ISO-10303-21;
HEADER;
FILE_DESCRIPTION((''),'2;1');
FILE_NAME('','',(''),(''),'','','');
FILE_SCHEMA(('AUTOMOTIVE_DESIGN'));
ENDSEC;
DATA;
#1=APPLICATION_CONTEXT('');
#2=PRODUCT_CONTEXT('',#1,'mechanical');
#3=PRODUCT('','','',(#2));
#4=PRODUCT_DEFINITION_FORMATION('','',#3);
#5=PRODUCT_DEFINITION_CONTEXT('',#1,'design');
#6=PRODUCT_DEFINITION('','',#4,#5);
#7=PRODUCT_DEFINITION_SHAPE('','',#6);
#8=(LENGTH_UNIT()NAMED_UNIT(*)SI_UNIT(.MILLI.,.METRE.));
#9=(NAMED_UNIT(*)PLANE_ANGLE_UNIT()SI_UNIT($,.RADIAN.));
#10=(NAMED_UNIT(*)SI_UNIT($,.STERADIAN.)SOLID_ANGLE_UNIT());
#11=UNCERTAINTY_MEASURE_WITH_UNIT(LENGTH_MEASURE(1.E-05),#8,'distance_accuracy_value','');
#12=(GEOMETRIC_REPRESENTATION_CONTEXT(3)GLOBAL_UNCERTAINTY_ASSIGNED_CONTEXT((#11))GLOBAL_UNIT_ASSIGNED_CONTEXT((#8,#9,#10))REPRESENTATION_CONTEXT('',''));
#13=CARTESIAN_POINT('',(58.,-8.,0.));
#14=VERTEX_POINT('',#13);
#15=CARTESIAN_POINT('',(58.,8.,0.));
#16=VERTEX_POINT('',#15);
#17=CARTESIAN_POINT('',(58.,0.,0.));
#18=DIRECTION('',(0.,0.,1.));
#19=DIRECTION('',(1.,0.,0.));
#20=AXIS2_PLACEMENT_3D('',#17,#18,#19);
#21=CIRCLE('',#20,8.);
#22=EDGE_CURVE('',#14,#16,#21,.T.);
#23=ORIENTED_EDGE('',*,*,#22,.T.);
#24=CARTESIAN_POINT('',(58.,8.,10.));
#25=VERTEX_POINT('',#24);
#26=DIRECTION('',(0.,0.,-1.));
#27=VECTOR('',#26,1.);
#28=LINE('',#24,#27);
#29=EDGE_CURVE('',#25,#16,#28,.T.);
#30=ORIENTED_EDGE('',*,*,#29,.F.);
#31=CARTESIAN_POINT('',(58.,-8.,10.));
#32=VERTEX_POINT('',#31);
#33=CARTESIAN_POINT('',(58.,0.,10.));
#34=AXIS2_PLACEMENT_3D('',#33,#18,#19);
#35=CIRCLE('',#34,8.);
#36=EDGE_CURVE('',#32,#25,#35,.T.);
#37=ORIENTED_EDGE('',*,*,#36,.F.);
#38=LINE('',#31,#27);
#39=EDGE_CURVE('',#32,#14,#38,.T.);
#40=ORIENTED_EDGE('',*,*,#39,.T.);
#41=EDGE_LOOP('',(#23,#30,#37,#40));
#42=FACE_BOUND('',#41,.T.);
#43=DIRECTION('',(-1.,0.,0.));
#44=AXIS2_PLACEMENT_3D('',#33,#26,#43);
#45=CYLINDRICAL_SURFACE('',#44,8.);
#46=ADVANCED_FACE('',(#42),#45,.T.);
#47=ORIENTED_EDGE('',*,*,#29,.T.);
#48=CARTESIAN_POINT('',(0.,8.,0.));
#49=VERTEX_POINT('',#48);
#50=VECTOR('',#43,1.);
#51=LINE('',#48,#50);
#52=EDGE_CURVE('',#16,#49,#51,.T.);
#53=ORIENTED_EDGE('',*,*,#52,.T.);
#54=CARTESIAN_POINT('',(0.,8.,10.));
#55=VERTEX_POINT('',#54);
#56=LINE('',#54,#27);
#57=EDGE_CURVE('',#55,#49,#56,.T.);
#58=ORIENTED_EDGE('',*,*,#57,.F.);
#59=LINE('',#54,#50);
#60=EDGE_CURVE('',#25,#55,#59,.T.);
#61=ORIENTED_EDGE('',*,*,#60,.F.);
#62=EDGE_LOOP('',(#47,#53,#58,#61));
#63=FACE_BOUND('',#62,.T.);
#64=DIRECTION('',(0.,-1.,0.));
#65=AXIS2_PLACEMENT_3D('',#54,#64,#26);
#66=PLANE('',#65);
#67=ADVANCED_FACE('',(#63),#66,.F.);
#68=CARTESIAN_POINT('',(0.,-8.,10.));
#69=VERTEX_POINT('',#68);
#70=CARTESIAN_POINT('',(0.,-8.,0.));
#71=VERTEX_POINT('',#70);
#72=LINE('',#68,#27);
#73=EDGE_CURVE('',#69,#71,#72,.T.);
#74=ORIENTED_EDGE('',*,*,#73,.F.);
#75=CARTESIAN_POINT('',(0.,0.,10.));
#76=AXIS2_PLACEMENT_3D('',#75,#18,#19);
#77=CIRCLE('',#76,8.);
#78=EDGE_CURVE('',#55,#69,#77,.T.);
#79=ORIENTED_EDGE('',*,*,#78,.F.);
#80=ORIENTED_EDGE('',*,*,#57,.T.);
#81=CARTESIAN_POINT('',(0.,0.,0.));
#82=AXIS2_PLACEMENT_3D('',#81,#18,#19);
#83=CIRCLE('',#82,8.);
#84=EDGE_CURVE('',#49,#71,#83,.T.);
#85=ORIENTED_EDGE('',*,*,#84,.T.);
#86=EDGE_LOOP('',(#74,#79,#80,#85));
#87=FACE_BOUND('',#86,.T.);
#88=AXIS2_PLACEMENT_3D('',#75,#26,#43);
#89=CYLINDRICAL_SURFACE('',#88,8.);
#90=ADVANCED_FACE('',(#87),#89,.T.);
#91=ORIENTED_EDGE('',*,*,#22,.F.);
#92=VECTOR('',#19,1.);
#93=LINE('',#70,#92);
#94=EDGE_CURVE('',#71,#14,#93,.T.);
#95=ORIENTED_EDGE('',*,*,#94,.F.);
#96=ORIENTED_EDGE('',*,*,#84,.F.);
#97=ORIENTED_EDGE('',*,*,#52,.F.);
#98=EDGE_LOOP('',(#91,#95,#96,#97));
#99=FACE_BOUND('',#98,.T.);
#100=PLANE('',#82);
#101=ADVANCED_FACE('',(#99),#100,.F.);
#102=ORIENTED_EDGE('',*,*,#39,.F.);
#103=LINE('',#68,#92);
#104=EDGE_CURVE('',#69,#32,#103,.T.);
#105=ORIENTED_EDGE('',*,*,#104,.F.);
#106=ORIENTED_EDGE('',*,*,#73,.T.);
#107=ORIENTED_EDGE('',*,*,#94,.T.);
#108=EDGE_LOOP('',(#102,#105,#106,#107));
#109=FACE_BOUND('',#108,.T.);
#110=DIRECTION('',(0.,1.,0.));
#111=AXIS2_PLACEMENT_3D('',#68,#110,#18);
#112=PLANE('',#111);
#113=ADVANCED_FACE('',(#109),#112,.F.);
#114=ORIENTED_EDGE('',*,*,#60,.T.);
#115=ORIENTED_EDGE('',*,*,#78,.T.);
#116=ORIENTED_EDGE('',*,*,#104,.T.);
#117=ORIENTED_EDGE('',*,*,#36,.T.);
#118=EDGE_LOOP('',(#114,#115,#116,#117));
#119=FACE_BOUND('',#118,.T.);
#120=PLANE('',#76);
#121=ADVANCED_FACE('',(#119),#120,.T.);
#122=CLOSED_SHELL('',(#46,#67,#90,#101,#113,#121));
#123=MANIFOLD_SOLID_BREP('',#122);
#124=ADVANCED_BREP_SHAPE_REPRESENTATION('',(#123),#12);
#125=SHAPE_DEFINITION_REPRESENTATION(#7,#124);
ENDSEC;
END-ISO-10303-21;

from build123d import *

# Parameters (mm, degrees)
EXTRUDE_1_DEPTH = 10


with BuildPart() as part:
    # 草图1 → 凸台-拉伸1 (new body)
    with BuildSketch(Plane.XY):
        with BuildLine():
            Line((0, 8), (58, 8))
            ThreePointArc((58, 8), (66, 0), (58, -8))
            Line((58, -8), (0, -8))
            ThreePointArc((0, -8), (-8, 0), (0, 8))
        make_face()
    extrude(amount=EXTRUDE_1_DEPTH)


solid = part.part
